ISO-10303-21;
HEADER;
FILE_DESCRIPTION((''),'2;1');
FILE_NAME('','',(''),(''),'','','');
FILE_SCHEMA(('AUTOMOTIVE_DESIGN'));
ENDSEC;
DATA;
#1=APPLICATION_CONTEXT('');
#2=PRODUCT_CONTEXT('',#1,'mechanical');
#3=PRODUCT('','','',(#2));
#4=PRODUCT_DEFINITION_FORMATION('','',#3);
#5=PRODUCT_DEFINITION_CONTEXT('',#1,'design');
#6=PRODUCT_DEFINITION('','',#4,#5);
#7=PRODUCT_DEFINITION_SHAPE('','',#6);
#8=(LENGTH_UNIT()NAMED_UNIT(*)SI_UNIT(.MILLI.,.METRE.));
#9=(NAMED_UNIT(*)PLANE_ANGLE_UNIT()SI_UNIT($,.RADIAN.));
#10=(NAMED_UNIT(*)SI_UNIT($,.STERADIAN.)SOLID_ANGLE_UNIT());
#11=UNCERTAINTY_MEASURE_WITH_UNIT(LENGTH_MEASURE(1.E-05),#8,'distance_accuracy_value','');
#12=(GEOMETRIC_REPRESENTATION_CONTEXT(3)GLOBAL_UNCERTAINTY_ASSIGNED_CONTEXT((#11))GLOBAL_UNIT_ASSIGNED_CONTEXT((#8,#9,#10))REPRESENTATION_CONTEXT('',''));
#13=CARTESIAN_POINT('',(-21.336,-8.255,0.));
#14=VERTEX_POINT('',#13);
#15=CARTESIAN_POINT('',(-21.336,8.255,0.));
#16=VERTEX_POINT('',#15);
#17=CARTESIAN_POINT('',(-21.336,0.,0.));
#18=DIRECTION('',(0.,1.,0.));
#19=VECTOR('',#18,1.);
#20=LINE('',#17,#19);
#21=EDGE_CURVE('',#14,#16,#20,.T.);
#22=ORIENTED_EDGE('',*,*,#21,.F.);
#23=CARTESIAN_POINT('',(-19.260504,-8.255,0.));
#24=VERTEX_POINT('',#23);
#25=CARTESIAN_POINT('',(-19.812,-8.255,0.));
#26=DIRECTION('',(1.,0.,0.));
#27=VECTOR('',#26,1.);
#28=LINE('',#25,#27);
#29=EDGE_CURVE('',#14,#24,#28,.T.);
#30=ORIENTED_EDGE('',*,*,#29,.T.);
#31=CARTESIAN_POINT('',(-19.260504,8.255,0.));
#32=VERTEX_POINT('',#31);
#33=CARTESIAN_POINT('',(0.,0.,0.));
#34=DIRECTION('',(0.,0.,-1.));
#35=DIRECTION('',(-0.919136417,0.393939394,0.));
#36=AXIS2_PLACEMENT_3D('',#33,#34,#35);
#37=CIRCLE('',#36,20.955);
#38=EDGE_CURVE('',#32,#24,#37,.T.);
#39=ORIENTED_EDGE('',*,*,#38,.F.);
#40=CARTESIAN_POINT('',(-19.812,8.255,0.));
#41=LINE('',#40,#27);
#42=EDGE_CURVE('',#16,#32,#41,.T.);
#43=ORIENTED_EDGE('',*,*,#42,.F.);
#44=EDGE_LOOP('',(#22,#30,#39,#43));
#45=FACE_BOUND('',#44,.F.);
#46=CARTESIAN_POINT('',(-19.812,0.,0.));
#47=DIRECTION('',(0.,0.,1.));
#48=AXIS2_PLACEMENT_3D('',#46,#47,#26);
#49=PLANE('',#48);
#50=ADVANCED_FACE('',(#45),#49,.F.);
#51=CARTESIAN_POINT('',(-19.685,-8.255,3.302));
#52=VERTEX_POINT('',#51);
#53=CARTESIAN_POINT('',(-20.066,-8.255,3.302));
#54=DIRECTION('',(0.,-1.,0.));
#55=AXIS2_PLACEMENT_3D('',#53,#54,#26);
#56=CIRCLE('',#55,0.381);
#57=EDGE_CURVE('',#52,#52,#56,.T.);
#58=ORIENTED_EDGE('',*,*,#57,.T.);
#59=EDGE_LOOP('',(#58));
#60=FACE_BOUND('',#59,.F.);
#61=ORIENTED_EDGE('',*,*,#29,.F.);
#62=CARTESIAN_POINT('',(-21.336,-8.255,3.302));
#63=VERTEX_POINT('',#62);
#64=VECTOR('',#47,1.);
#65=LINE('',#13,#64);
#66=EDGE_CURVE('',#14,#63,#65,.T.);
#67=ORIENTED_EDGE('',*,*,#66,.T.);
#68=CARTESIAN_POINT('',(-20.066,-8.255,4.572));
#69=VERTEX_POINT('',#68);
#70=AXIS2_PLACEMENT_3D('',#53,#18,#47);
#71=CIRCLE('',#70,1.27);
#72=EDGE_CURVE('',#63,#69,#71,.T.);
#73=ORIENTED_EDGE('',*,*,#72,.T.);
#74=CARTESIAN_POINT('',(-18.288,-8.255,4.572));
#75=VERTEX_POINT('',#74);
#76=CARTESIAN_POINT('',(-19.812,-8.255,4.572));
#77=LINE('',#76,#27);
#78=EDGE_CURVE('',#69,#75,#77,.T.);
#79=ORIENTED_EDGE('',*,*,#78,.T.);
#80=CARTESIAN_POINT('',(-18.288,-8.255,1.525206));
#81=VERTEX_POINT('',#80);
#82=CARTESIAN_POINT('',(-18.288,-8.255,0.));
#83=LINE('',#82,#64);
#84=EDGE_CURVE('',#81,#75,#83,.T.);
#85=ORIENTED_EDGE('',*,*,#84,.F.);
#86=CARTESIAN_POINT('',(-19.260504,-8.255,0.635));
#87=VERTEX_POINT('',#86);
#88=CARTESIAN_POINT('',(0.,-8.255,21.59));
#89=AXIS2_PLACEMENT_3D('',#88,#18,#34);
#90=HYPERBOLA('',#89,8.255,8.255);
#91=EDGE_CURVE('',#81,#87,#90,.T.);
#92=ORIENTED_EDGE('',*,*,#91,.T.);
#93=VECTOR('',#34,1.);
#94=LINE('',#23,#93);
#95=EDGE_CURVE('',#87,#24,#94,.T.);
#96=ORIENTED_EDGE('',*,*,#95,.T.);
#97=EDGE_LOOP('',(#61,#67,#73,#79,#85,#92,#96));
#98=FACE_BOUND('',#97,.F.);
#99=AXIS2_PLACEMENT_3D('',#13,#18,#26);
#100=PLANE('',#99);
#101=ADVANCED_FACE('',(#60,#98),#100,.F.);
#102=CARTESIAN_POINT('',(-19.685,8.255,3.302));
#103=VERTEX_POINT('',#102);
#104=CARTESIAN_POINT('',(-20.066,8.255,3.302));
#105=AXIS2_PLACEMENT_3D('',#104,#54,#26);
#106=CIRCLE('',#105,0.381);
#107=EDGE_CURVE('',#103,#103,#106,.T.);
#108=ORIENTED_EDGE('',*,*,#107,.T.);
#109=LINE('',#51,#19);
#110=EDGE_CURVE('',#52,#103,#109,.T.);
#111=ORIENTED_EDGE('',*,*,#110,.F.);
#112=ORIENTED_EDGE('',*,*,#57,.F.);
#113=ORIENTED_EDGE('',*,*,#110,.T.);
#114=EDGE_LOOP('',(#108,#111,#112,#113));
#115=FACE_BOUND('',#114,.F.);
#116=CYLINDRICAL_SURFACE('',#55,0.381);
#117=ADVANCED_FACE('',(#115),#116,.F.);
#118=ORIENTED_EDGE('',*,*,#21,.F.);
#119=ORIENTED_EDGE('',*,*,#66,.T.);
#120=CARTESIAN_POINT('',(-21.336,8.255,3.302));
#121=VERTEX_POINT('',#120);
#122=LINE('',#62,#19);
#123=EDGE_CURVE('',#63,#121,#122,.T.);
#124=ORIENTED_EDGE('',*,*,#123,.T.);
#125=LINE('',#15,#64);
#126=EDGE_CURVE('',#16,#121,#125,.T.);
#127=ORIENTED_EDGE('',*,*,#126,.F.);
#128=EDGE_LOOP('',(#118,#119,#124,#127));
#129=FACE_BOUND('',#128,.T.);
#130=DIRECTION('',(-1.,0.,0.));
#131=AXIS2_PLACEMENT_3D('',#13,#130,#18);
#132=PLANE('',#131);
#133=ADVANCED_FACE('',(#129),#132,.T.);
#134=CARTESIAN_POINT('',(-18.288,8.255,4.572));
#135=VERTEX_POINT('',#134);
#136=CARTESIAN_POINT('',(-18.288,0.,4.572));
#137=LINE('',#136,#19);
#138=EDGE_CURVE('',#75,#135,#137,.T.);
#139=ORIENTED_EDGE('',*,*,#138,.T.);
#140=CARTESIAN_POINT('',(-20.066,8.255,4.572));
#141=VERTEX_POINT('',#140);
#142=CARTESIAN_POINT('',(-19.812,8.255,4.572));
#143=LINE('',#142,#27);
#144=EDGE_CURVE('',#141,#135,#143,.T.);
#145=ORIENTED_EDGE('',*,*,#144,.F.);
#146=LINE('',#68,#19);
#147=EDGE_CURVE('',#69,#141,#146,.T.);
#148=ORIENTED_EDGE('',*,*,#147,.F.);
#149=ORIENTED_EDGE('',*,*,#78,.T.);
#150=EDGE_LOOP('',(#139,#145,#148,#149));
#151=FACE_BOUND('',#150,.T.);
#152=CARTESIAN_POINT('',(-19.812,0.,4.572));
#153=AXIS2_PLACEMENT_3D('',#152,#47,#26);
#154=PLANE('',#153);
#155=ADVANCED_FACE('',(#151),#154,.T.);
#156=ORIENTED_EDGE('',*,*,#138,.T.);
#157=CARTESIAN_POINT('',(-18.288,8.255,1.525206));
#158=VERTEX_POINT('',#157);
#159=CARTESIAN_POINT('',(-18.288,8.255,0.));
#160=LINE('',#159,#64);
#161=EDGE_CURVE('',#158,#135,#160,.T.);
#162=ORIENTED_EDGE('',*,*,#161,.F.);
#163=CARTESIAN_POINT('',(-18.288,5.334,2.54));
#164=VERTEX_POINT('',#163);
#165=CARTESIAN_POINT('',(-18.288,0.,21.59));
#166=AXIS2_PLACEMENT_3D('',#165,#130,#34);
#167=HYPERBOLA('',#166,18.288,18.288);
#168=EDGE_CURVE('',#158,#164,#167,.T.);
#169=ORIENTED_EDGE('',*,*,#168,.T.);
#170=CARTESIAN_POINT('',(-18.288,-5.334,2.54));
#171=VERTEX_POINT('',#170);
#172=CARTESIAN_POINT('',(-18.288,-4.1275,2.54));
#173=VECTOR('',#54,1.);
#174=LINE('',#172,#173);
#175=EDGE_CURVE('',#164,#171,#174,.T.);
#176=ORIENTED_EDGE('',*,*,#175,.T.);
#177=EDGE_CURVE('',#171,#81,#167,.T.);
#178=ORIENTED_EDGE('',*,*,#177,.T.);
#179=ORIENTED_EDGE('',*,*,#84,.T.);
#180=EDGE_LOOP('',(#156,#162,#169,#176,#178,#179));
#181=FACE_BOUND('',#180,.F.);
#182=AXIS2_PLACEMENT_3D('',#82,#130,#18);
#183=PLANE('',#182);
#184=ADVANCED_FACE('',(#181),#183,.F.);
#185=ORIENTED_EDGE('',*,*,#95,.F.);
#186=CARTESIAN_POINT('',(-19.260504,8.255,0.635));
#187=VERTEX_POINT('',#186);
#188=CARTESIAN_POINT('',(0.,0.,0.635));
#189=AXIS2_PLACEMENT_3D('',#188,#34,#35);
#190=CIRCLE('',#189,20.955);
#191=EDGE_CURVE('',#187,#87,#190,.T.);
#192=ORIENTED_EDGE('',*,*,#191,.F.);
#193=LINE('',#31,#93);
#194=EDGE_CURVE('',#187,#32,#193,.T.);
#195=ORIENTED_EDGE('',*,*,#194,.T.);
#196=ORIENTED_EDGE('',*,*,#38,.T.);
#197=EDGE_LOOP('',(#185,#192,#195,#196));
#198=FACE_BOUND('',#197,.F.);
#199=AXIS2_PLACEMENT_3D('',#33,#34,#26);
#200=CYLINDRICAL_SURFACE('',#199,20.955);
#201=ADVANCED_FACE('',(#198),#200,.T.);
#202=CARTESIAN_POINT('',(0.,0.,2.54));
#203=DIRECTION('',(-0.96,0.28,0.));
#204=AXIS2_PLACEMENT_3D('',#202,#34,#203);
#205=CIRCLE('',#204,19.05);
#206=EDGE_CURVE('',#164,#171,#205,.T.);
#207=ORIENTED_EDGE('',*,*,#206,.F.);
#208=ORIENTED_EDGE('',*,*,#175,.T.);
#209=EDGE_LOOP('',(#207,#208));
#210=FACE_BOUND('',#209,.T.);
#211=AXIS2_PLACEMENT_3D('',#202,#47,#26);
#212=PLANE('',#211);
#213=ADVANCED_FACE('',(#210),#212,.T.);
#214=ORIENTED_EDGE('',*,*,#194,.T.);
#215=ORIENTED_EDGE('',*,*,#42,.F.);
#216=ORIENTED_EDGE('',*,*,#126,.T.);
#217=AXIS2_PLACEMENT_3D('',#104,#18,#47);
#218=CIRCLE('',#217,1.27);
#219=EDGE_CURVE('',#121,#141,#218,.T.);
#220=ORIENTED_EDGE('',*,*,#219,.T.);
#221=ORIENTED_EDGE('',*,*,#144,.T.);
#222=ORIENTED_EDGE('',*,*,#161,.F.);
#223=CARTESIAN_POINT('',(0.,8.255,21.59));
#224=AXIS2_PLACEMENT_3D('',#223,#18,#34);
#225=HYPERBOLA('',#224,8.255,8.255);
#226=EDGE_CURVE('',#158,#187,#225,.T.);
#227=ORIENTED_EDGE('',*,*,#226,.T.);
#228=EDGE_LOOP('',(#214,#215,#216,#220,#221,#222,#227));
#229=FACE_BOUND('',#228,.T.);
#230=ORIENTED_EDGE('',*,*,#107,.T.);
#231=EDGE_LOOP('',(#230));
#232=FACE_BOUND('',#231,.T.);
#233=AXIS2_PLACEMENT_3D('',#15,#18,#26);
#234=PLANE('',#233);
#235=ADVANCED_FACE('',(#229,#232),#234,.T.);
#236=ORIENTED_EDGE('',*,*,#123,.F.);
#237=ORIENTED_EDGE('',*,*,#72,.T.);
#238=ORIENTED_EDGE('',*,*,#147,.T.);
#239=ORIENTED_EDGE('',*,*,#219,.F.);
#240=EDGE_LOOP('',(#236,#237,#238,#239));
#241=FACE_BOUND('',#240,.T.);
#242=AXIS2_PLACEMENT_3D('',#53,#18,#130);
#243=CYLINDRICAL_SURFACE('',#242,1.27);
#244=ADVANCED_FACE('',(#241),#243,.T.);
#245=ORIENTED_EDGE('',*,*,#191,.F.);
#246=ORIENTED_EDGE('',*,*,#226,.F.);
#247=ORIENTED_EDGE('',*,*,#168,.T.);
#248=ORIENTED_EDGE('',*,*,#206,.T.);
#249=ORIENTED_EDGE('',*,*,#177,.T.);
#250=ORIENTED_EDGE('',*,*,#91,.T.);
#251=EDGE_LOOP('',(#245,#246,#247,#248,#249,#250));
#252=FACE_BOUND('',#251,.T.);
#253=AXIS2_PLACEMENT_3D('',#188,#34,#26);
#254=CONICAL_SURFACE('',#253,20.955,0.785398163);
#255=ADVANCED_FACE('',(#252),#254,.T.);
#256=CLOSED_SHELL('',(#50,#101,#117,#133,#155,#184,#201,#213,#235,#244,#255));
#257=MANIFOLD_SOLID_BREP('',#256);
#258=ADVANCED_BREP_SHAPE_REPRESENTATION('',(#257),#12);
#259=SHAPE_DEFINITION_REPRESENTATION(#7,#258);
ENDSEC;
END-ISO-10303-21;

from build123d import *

# Parameters (mm, degrees)
F0_R     = 20.955
F1_DEPTH = 2.54
F2_SIZE  = 1.905
F3_W     = 3.048
F3_H     = 16.51
F4_DEPTH = 4.572
F5_R     = 1.27
F6_R     = 0.381
F7_DEPTH = 25.4


with BuildPart() as f1:
    # F0 (on Top) → F1 (new body)
    with BuildSketch(Plane.XY):
        Circle(F0_R)
    extrude(amount=F1_DEPTH)

    # F2
    f2_edges = [f1.edges().sort_by_distance(p)[0] for p in [
        (-20.955, 0, 2.54),
    ]]
    chamfer(f2_edges, length=F2_SIZE)

    # F3 (on Top) → F4 (join)
    with BuildSketch(Plane.XY):
        with Locations((-19.812, 0)):
            Rectangle(F3_W, F3_H)
    extrude(amount=F4_DEPTH)

    # F5
    f5_edges = [f1.edges().sort_by_distance(p)[0] for p in [
        (-21.336, 0, 4.572),
    ]]
    fillet(f5_edges, radius=F5_R)

    # F6 (on face) → F7 (cut)
    with BuildSketch(Plane.XZ.offset(8.255)):
        with Locations((-20.066, 3.302)):
            Circle(F6_R)
    extrude(amount=-F7_DEPTH, mode=Mode.SUBTRACT)


solid = f1.part
